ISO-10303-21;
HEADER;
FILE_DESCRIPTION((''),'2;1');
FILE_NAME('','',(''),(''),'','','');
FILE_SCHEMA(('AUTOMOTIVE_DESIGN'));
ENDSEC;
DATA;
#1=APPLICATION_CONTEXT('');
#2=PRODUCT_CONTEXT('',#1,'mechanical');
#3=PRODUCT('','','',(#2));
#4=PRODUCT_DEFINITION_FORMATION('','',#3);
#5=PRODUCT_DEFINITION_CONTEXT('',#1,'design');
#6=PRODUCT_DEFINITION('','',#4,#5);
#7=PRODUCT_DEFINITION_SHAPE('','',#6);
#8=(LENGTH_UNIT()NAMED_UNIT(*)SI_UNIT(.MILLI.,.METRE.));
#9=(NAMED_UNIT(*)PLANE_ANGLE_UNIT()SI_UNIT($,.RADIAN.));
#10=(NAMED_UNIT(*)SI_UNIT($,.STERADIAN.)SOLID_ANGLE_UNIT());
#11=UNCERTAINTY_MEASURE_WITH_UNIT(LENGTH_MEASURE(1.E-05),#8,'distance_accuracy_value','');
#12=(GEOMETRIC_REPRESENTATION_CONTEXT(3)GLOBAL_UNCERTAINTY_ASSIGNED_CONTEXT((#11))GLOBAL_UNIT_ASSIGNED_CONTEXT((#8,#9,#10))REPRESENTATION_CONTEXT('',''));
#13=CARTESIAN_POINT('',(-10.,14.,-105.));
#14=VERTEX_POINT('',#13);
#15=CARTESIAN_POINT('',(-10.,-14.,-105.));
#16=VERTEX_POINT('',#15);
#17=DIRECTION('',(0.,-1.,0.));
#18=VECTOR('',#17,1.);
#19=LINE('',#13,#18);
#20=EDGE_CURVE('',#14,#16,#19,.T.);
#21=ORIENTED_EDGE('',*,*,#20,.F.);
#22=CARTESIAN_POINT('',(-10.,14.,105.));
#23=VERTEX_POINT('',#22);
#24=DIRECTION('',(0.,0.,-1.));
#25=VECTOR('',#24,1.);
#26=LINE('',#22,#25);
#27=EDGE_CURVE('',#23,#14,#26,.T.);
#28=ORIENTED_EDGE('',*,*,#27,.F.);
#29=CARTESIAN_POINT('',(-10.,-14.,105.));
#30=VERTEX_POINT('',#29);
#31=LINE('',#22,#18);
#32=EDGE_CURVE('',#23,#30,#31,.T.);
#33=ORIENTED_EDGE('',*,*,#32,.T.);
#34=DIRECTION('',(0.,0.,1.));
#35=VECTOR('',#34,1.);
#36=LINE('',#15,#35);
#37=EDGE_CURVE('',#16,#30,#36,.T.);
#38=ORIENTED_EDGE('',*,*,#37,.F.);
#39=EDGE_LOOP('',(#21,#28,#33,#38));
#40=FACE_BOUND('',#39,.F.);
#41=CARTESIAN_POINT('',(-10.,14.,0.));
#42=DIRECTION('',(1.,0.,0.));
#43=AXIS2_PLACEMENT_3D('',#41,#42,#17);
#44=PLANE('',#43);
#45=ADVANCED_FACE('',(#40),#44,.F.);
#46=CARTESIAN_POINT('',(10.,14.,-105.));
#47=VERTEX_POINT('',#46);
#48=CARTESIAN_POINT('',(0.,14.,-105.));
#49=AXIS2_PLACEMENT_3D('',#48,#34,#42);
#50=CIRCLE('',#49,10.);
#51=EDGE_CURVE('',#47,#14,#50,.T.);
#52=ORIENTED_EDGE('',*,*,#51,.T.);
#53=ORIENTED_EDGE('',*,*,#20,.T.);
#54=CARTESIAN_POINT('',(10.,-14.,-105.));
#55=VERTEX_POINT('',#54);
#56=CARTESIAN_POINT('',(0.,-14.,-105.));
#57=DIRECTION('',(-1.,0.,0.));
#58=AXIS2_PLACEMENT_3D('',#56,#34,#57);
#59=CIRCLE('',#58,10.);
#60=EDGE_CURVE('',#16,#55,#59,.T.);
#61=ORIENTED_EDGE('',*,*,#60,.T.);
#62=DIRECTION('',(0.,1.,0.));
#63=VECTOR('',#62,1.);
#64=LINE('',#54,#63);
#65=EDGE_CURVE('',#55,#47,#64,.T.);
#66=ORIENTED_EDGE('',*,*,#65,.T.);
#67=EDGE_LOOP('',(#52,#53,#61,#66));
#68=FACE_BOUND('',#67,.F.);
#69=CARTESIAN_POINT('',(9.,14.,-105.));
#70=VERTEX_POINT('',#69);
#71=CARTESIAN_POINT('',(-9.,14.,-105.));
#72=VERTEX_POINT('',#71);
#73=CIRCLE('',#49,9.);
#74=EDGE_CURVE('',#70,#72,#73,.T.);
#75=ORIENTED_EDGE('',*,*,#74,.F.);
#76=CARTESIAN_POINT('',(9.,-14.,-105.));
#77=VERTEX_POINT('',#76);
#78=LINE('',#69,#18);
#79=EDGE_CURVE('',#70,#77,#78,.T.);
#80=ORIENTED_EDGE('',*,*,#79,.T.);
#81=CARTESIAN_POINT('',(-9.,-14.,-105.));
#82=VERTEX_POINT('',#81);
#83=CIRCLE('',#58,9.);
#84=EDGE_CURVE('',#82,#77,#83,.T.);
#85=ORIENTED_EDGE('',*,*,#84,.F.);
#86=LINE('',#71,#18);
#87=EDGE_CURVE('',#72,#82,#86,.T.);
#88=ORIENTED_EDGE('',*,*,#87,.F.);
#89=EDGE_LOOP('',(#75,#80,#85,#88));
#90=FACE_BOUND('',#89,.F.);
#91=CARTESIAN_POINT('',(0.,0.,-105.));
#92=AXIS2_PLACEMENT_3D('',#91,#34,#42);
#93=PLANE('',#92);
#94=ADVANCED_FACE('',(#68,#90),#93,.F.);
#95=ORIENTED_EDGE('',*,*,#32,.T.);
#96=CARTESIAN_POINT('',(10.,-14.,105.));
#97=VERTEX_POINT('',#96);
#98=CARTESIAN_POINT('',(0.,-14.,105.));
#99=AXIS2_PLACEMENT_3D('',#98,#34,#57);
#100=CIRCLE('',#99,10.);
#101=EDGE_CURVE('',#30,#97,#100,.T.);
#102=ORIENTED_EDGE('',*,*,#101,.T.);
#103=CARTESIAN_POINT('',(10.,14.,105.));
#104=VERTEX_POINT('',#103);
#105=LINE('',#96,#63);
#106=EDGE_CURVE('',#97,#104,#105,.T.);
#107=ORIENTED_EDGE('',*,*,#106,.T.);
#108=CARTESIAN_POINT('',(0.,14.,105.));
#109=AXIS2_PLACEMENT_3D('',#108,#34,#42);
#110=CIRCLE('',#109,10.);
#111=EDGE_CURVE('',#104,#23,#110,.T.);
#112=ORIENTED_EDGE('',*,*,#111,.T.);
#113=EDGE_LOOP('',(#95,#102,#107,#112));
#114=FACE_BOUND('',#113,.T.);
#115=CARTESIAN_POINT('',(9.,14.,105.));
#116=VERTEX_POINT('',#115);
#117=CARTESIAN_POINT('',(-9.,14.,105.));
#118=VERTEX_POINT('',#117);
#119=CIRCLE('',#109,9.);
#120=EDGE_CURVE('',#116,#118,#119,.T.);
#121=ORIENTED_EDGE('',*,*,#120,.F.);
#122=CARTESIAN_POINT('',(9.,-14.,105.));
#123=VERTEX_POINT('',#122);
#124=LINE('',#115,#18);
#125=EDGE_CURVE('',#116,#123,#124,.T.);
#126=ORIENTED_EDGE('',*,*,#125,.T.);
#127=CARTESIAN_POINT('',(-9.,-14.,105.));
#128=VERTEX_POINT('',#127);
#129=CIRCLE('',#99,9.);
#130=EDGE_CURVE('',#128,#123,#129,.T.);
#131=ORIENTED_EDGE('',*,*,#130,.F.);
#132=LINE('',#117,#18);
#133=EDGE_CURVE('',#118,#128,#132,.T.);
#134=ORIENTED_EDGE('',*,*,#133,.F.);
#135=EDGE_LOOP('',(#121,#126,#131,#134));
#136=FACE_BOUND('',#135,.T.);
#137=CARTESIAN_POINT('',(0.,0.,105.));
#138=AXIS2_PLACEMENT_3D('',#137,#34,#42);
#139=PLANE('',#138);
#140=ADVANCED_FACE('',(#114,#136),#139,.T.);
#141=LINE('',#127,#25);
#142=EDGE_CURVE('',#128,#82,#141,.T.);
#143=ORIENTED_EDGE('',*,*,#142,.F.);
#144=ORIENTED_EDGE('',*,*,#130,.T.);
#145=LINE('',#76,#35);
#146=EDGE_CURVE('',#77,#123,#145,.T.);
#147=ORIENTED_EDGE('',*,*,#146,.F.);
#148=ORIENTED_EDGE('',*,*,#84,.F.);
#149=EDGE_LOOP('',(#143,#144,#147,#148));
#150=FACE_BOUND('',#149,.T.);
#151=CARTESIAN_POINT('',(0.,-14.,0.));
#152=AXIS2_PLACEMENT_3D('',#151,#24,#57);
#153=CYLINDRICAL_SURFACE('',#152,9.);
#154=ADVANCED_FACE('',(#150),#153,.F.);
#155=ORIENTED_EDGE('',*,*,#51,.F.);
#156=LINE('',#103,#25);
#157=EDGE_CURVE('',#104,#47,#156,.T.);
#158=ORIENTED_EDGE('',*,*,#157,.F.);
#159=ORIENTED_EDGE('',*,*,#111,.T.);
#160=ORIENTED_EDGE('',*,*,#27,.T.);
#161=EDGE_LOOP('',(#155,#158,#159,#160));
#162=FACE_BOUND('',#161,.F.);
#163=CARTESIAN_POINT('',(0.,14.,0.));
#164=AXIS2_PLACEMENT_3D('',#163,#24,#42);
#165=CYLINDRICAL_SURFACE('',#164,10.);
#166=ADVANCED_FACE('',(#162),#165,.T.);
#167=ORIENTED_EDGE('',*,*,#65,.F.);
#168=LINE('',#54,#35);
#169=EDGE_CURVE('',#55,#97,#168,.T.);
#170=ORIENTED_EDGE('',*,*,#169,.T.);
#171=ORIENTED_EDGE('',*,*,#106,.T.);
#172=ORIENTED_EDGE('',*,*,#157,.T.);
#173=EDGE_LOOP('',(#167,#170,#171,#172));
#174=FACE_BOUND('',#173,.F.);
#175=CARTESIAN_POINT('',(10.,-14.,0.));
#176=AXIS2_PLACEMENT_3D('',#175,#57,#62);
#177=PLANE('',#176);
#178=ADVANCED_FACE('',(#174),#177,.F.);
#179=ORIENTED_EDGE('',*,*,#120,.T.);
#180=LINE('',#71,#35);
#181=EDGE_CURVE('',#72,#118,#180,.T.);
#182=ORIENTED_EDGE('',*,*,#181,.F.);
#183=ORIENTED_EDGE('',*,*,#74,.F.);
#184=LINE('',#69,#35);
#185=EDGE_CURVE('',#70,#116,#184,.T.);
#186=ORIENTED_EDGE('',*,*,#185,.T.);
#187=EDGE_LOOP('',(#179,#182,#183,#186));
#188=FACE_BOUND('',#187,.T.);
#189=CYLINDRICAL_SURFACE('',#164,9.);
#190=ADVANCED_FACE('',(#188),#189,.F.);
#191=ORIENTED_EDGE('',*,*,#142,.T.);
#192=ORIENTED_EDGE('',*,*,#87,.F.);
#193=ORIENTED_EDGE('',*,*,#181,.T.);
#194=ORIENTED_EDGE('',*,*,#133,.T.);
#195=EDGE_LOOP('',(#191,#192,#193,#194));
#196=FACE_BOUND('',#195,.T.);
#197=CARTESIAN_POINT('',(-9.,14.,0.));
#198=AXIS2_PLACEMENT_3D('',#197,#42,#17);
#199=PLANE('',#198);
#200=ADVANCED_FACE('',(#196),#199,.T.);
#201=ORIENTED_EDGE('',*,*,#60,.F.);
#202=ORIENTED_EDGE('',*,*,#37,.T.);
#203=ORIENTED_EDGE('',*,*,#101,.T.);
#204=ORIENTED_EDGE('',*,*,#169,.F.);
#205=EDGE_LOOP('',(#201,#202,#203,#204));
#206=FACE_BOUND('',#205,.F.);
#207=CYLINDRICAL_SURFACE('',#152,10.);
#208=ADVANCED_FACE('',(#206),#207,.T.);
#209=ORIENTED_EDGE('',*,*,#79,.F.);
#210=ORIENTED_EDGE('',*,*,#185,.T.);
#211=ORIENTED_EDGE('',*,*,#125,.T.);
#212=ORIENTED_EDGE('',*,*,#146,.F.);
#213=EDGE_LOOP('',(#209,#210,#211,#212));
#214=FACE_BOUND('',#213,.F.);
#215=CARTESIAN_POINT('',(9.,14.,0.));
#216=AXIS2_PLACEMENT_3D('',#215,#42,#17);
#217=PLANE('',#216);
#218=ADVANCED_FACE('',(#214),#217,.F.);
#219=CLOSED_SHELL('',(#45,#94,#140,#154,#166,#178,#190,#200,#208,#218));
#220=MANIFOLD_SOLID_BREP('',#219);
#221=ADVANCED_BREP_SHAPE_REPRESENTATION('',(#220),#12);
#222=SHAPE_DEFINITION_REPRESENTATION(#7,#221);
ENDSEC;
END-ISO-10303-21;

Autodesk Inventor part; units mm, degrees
ref_plane "YZ Plane" through (0, 0, 0) normal (1, 0, 0) x (0, 1, 0)
ref_plane "XZ Plane" through (0, 0, 0) normal (0, 1, 0) x (-1, 0, 0)
ref_plane "XY Plane" through (0, 0, 0) normal (0, 0, 1) x (1, 0, 0)
sketch "Sketch1" plane through (0, 0, 0) normal (0, 0, 1) x (1, 0, 0)
  line L0 (-10, -14) -> (10, -14)
  line L1 (10, -14) -> (10, 14)
  line L2 (10, 14) -> (-10, 14)
  line L3 (-10, 14) -> (-10, -14)
  line L4 (-10, -14) -> (10, 14) construction
  line L5 (10, -14) -> (-10, 14) construction
  arc A0 (10, 14) -> (-10, 14) centre (0, 14) ccw
  arc A1 (-10, -14) -> (10, -14) centre (0, -14) ccw
  arc A2 (9, 14) -> (-9, 14) centre (0, 14) ccw
  arc A3 (-9, -14) -> (9, -14) centre (0, -14) ccw
  line L6 (-9, 14) -> (-9, -14)
  line L7 (9, 14) -> (9, -14)
  point P0 (0, 0)
  point P1 (0, -24)
  point P2 (0, 24)
  dimension "d0" = 20
  dimension "d1" = 48
  dimension "d2" = 1
  dimension "d3" = 1
extrude "Extrusion1" add sketch "Sketch1" along normal mid plane 210 contours L3 L2 L6 L0 | L0 A3 A1 | A0 L2 A2 | L0 L7 L2 L1
properties part number "buis armsteun" material "Aluminum 6061"
